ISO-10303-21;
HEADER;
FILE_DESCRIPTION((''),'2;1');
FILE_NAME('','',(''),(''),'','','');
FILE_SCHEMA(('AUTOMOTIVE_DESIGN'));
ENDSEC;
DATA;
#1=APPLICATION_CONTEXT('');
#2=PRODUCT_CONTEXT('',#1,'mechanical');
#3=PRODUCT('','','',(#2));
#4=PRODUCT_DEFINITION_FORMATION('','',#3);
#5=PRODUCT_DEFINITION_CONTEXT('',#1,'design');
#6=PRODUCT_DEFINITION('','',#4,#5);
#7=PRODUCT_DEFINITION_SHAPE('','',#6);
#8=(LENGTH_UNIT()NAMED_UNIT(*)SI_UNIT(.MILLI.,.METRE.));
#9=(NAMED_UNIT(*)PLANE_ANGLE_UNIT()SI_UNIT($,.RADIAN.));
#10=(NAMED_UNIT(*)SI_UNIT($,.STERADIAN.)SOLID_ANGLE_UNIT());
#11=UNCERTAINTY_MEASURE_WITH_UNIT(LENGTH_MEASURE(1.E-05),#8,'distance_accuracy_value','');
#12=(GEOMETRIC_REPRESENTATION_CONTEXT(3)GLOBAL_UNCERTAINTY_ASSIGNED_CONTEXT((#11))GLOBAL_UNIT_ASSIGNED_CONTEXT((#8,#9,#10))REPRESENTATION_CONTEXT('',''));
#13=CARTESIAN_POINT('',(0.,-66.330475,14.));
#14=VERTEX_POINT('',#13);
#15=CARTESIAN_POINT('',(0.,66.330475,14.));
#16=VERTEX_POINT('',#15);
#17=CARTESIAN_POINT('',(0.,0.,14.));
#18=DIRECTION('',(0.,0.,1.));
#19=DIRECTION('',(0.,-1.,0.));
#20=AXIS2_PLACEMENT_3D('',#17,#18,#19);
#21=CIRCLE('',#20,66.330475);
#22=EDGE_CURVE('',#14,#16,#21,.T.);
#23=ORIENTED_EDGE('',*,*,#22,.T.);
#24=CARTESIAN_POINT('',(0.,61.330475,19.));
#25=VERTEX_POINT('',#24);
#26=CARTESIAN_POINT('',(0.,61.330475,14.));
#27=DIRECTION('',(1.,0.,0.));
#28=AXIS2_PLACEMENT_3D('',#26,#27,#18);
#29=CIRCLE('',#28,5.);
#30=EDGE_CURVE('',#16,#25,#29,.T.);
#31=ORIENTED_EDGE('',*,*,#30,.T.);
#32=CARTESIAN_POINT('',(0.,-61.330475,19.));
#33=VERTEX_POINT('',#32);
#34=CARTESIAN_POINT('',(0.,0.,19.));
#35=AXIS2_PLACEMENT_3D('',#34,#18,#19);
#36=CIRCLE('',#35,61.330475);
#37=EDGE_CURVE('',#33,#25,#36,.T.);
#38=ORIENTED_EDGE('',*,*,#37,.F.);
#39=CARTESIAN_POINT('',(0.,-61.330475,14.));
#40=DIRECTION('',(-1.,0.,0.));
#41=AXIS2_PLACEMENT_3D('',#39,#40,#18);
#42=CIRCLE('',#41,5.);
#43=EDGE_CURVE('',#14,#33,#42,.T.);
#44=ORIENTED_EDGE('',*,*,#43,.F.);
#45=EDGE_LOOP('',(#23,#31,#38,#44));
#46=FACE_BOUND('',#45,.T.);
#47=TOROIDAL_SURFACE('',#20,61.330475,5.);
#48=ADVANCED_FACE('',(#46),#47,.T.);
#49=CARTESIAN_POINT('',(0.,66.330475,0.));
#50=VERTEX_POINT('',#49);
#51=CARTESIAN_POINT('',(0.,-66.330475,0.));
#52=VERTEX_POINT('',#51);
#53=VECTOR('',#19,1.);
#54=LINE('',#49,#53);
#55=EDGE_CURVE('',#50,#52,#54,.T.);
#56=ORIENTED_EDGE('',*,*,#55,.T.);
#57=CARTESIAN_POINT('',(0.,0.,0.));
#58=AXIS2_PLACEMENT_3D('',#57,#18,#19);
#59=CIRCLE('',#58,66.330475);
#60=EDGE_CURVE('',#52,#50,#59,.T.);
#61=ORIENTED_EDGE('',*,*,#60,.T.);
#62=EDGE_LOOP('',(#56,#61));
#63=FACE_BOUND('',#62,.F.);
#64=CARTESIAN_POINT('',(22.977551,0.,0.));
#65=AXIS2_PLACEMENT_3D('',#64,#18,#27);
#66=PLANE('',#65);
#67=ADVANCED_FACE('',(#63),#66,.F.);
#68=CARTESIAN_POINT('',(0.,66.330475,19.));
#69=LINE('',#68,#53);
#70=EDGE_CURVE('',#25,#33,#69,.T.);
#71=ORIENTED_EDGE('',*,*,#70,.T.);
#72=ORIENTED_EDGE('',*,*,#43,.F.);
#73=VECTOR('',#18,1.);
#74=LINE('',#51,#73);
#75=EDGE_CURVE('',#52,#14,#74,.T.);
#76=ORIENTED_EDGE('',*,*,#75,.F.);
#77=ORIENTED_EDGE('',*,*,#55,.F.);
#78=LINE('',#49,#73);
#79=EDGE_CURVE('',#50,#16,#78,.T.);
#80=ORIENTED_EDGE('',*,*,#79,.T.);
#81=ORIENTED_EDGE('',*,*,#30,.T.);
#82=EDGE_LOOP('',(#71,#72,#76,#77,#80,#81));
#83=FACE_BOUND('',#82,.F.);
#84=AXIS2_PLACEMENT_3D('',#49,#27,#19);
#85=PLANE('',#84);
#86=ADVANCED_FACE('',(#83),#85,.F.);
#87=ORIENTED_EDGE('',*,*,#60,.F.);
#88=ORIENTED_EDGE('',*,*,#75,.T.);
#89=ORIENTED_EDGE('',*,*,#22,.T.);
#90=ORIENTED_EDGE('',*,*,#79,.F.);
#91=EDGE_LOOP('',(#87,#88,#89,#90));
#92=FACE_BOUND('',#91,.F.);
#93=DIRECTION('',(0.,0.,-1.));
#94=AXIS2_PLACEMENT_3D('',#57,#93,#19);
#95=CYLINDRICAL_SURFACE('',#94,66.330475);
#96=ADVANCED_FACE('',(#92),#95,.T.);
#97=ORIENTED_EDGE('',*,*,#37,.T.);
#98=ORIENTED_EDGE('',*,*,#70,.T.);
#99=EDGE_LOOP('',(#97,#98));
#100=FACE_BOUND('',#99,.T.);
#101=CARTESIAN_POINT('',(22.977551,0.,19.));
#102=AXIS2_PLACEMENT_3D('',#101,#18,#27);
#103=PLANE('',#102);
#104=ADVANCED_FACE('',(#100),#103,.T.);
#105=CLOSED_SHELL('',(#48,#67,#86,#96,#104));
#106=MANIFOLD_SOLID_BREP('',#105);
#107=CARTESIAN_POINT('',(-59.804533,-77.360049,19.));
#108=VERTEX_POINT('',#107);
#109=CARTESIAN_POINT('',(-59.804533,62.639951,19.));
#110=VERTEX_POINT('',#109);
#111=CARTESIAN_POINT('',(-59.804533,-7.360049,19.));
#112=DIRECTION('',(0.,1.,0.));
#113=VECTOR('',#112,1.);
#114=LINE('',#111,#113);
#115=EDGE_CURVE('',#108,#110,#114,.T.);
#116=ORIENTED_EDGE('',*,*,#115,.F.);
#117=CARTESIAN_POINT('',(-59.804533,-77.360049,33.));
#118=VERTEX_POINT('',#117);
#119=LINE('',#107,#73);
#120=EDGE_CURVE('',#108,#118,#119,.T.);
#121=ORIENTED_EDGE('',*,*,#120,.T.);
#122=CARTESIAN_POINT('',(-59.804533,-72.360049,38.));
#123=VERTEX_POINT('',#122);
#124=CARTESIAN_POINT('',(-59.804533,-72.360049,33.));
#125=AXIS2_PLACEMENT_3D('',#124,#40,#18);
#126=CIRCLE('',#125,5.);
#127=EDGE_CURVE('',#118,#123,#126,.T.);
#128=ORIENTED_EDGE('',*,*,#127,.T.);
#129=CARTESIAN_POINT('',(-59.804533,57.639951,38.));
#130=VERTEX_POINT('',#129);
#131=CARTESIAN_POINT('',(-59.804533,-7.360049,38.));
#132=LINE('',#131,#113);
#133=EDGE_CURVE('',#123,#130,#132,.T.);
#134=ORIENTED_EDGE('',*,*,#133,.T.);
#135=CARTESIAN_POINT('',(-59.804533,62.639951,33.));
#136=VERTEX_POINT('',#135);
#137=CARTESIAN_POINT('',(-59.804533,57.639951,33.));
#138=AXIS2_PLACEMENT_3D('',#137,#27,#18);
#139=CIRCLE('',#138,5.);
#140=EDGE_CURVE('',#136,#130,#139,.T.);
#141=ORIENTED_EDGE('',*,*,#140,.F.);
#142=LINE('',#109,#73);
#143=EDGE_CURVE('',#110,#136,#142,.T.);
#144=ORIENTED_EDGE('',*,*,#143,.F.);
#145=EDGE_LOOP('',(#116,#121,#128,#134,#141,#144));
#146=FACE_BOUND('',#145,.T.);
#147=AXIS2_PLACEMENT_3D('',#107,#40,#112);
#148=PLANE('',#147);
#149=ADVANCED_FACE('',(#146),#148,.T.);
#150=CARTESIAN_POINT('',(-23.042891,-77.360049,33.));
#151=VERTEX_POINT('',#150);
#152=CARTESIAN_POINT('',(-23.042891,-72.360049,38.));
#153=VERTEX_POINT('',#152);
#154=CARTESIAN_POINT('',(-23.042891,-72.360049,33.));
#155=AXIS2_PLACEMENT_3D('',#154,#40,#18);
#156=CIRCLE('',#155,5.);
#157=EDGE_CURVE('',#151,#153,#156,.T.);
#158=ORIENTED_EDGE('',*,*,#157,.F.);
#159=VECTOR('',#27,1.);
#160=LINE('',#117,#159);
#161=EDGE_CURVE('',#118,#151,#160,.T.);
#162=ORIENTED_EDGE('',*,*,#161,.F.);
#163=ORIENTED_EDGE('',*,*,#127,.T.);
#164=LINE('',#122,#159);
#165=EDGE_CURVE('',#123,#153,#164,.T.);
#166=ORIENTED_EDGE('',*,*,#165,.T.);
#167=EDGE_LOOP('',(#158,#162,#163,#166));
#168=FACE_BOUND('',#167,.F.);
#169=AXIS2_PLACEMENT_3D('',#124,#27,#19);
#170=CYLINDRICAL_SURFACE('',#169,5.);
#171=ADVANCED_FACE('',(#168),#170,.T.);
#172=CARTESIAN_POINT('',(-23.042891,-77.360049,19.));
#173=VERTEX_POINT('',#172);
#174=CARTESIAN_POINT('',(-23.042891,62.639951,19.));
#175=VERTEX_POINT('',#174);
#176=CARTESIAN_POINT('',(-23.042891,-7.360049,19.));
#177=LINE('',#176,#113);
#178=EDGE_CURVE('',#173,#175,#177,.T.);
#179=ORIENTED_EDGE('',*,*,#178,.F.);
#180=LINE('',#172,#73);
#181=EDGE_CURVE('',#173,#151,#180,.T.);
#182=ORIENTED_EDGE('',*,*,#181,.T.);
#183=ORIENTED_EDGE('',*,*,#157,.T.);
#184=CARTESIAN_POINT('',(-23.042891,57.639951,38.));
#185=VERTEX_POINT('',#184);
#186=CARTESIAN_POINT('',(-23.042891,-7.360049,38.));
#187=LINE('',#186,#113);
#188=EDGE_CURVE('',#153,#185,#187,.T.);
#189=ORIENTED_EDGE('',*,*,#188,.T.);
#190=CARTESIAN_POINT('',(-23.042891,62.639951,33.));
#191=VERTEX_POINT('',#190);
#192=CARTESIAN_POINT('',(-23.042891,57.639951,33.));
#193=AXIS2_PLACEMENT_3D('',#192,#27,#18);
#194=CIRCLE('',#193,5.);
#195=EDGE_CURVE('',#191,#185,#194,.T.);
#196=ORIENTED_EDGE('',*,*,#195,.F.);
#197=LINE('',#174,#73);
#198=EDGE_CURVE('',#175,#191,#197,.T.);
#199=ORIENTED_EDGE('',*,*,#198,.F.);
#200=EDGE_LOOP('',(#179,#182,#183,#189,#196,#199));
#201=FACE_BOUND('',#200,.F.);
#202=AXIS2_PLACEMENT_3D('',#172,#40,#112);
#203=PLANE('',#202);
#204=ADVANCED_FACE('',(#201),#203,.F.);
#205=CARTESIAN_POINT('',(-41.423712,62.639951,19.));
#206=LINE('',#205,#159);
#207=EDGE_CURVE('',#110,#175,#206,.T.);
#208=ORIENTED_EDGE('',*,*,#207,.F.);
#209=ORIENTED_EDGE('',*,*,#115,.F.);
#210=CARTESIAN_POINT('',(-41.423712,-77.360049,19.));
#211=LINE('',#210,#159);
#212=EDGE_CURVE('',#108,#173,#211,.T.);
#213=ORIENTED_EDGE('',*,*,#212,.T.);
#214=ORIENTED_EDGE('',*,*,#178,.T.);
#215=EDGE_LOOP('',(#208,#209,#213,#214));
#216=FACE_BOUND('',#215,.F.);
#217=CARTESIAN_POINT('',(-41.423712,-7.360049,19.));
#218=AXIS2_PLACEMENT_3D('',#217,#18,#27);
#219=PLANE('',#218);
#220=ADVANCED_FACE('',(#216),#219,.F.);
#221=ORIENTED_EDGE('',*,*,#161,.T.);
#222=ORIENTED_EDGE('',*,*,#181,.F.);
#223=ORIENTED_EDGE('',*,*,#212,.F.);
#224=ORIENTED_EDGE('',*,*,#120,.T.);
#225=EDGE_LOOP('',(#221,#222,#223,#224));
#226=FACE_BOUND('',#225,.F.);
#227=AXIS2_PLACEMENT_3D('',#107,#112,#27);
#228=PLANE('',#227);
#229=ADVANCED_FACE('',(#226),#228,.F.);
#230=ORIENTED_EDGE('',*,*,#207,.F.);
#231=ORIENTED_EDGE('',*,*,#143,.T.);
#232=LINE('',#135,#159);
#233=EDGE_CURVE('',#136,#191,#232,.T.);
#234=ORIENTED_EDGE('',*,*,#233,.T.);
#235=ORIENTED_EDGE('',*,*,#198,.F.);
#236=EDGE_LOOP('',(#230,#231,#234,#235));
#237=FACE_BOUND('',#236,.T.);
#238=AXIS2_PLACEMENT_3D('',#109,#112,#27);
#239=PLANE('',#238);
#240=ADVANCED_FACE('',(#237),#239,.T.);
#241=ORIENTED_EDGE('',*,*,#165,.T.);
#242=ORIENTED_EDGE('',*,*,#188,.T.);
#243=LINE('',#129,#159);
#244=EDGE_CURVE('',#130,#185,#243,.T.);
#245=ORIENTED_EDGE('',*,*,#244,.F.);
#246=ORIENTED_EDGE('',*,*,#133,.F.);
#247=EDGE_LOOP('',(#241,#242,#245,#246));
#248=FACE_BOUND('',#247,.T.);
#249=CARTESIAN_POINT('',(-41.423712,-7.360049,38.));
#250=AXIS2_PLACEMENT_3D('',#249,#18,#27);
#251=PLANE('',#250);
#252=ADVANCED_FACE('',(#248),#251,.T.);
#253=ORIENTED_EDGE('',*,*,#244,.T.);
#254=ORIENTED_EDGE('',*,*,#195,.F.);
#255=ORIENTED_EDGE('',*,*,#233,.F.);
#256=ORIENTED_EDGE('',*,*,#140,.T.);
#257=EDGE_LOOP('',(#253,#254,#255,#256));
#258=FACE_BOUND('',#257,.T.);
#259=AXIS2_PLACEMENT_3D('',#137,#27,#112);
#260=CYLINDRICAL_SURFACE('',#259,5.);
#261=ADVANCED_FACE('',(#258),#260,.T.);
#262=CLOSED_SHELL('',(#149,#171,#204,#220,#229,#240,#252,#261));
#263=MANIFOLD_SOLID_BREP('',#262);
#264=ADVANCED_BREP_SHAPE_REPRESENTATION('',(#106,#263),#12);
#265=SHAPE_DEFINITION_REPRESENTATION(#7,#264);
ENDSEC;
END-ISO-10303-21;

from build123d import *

# Parameters (mm, degrees)
F1_DEPTH = 19
F2_W     = 36.761642
F2_H     = 140
F3_DEPTH = 19
F4_R     = 5
F5_R     = 5


with BuildPart() as f1:
    # F0 (on Top) → F1 (new body)
    with BuildSketch(Plane.XY):
        with BuildLine():
            Line((0, 66.330475), (0, -66.330475))
            ThreePointArc((0, -66.330475), (66.330475, 0), (0, 66.330475))
        make_face()
    extrude(amount=F1_DEPTH)

    # F4
    f4_edges = [f1.edges().sort_by_distance(p)[0] for p in [
        (66.330475, 0, 19),
    ]]
    fillet(f4_edges, radius=F4_R)


with BuildPart() as f3:
    # F2 (on face) → F3 (new body)
    with BuildSketch(Plane.XY.offset(19)):
        with Locations((-41.423712, -7.360049)):
            Rectangle(F2_W, F2_H)
    extrude(amount=F3_DEPTH)

    # F5
    f5_edges = [f3.edges().sort_by_distance(p)[0] for p in [
        (-41.423712, -77.360049, 38),
        (-41.423712, 62.639951, 38),
    ]]
    fillet(f5_edges, radius=F5_R)


solid = Compound([f1.part, f3.part])
